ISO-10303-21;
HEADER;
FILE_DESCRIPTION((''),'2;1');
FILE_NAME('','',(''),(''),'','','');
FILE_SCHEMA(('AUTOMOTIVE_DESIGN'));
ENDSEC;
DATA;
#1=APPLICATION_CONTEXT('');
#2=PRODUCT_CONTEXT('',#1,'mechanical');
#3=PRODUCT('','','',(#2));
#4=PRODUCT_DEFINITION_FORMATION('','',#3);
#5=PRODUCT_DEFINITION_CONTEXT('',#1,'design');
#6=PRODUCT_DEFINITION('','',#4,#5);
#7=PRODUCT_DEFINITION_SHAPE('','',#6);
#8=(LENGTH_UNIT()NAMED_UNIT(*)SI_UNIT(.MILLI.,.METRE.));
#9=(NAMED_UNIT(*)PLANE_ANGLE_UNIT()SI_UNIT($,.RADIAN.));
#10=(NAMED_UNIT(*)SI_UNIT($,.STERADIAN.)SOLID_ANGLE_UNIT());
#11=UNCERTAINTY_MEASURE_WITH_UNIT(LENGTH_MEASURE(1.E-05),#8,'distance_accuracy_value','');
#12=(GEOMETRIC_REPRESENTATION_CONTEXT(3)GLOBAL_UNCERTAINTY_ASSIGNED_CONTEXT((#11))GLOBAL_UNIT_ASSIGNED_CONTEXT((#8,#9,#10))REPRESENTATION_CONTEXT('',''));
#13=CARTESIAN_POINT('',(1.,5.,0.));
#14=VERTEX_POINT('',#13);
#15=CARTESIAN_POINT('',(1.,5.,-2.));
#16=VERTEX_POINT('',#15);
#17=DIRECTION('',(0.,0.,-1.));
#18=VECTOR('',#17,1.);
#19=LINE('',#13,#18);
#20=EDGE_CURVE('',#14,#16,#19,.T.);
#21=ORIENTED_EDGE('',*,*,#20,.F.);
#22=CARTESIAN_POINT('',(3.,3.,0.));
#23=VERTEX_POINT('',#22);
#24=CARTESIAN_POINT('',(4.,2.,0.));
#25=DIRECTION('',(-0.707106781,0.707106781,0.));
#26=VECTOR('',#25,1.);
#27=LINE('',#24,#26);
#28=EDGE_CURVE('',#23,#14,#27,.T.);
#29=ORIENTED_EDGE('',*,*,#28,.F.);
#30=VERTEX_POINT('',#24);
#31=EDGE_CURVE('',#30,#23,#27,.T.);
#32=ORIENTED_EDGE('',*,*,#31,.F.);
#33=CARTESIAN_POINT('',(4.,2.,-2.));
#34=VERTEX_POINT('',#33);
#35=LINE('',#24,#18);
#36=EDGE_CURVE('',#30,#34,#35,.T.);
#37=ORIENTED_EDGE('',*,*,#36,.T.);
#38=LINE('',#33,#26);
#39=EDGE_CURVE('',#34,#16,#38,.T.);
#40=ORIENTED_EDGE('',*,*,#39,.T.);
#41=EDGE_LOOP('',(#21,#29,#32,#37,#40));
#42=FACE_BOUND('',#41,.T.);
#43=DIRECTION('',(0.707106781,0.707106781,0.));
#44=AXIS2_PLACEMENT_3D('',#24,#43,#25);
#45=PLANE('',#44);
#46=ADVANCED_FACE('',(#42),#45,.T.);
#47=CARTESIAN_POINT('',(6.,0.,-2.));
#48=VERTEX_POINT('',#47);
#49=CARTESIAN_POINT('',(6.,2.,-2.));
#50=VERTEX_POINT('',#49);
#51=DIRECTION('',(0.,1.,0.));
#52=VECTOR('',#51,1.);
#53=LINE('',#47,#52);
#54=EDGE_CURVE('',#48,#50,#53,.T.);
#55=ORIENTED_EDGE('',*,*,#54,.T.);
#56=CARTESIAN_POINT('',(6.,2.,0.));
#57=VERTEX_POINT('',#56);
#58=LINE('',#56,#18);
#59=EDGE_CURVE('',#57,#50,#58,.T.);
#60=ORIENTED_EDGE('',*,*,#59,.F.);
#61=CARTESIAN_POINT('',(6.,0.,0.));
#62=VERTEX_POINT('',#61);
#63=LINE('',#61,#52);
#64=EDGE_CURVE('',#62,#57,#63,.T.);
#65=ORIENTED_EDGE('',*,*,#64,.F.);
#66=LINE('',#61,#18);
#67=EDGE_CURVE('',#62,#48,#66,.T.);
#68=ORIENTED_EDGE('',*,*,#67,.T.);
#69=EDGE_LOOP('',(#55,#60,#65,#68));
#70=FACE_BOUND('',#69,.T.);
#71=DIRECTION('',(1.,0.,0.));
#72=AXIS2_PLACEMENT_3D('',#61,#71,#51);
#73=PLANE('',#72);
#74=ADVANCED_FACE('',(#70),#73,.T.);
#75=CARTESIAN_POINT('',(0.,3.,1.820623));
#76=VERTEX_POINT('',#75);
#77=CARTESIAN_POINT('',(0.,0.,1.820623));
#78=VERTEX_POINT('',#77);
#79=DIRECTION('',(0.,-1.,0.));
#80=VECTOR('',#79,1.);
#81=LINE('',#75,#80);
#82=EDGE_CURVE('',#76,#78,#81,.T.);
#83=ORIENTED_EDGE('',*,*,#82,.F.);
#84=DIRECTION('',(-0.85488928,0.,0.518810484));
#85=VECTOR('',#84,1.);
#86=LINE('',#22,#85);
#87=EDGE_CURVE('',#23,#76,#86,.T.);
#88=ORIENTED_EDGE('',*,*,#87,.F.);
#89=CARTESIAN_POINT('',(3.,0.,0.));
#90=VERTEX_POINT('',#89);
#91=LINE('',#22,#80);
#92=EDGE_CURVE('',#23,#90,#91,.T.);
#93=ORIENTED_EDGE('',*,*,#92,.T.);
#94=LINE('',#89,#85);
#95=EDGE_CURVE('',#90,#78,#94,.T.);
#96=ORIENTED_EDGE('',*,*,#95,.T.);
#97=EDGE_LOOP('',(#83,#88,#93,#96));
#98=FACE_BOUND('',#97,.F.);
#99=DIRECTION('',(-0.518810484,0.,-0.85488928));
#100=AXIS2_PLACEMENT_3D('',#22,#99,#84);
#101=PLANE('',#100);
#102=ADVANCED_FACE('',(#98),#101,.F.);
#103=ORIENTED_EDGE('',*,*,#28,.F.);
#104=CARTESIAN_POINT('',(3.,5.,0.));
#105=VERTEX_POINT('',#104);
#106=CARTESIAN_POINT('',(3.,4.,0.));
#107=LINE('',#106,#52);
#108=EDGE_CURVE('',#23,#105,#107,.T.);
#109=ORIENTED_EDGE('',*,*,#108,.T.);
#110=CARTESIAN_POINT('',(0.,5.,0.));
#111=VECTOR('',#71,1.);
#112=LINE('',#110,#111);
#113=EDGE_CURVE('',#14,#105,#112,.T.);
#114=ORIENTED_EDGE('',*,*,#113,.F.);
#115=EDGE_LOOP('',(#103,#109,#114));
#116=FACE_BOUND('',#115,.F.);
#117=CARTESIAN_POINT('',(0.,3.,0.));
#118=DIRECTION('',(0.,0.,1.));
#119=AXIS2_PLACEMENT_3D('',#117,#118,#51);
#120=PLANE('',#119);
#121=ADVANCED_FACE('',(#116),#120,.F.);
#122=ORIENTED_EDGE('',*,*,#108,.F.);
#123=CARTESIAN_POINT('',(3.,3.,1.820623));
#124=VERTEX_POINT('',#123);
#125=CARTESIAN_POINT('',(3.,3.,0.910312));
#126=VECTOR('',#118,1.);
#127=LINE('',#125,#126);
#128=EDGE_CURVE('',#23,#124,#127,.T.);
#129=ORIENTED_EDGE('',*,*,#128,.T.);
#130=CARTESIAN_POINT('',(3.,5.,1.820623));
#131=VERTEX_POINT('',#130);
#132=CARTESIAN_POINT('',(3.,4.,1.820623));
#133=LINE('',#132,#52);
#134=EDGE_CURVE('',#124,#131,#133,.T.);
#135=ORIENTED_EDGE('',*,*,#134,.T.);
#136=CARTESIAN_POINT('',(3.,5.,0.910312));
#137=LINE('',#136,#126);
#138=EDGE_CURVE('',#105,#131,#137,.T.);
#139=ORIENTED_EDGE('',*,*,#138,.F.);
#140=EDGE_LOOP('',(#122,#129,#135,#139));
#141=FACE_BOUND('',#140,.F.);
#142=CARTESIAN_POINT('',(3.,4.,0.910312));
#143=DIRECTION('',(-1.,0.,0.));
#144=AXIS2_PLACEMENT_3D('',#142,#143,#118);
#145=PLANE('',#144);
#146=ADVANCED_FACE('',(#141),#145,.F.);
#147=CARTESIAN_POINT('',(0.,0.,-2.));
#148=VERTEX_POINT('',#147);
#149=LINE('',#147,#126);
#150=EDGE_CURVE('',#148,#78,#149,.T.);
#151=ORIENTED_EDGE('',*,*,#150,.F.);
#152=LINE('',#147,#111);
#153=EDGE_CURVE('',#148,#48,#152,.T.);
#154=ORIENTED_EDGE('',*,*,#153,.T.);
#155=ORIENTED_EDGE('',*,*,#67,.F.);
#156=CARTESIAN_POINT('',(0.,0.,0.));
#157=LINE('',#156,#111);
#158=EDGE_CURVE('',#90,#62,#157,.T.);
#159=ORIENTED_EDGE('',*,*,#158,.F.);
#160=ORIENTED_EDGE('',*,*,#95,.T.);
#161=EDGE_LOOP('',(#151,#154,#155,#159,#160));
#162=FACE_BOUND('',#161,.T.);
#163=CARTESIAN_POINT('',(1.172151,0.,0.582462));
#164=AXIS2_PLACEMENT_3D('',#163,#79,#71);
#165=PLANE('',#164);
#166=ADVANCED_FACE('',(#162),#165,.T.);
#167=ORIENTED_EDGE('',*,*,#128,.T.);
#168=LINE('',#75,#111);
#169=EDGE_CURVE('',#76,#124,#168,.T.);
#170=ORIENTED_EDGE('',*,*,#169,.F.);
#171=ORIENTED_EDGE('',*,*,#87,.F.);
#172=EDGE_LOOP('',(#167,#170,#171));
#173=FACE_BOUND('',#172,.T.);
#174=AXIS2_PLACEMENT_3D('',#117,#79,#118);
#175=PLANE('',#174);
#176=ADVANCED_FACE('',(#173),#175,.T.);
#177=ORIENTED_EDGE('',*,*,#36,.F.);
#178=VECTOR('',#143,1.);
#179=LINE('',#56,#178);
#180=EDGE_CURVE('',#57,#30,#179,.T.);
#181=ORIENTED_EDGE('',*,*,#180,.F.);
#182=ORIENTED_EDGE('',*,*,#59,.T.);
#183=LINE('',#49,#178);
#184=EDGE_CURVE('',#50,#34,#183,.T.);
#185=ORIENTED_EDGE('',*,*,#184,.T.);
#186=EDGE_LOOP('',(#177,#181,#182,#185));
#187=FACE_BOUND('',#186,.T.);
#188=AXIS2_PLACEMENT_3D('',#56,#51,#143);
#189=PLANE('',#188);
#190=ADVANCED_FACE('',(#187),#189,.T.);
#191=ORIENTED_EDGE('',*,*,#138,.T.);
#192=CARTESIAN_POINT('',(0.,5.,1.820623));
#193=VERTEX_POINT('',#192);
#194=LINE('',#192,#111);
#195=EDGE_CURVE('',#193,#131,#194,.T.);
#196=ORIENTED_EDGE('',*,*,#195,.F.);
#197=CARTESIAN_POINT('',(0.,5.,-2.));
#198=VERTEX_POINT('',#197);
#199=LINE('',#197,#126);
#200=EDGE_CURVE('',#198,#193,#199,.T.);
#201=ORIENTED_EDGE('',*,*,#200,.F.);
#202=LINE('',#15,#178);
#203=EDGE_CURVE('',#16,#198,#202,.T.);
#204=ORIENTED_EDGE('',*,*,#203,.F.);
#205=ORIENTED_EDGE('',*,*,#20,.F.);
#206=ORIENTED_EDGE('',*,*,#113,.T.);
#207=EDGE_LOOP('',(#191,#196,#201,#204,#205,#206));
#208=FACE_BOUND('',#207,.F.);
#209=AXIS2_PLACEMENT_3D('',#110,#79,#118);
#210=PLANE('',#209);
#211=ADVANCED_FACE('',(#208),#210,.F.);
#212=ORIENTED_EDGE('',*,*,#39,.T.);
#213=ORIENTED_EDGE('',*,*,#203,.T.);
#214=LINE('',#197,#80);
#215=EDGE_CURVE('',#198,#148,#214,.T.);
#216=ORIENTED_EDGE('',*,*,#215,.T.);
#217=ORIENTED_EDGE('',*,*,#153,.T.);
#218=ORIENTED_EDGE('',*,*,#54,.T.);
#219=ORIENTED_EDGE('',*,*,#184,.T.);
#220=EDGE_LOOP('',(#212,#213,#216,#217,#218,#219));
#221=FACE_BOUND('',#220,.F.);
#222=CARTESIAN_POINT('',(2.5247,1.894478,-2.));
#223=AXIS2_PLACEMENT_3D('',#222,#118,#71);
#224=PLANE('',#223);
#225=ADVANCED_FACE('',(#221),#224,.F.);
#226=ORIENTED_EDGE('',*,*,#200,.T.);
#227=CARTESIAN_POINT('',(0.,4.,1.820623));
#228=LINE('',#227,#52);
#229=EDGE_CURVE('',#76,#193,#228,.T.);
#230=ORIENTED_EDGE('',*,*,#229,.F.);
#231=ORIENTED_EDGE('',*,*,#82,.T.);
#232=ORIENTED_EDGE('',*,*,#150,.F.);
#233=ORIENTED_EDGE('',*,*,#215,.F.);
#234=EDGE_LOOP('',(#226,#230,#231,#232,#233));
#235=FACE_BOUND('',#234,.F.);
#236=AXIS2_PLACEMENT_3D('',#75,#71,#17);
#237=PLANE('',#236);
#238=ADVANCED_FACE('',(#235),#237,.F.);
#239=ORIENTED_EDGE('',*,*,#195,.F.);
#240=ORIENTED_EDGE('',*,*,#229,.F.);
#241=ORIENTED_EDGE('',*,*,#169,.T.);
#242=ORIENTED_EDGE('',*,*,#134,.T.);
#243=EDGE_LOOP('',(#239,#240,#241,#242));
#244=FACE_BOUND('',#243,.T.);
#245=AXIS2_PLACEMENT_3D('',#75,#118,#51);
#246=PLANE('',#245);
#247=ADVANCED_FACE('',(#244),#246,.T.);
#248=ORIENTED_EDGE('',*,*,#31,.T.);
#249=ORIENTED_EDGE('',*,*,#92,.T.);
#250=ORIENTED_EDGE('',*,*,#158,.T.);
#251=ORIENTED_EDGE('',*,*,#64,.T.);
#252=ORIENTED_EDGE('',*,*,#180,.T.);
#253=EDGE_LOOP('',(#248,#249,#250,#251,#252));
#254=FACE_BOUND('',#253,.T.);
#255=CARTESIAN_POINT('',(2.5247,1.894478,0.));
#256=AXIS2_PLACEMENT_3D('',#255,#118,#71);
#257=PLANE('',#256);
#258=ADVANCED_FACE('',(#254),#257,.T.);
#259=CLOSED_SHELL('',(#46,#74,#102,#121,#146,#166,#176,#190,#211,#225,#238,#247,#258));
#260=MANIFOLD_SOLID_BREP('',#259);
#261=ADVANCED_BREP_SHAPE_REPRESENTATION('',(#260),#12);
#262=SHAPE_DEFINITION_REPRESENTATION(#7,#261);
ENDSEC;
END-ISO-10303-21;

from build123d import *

# Parameters (mm, degrees)
BOSS_EXTRUDE1_DEPTH = 2
SKETCH2_W           = 1.82062343
SKETCH2_H           = 2
BOSS_EXTRUDE2_DEPTH = 3
BOSS_EXTRUDE3_DEPTH = 3


with BuildPart() as part:
    # Sketch1 → Boss-Extrude1 (new body)
    with BuildSketch(Plane.XY):
        Polygon((0, 0), (6, 0), (6, 2), (4, 2), (1, 5), (0, 5), align=None)
    extrude(amount=-BOSS_EXTRUDE1_DEPTH)



with BuildPart() as body_2:
    # Sketch2 → Boss-Extrude2 (new body)
    with BuildSketch(Plane.ZY):
        with Locations((0.910311715, 4)):
            Rectangle(SKETCH2_W, SKETCH2_H)
    extrude(amount=-BOSS_EXTRUDE2_DEPTH)


with BuildPart() as part_1:
    add(part.part)

    add(body_2.part)  # Boss-Extrude3 merges body 2
    # Sketch3 → Boss-Extrude3 (add)
    with BuildSketch(Plane.XZ.offset(-3)):
        Polygon((0, 0), (3, 0), (0, 1.82062343), align=None)
    extrude(amount=BOSS_EXTRUDE3_DEPTH)


solid = part_1.part
